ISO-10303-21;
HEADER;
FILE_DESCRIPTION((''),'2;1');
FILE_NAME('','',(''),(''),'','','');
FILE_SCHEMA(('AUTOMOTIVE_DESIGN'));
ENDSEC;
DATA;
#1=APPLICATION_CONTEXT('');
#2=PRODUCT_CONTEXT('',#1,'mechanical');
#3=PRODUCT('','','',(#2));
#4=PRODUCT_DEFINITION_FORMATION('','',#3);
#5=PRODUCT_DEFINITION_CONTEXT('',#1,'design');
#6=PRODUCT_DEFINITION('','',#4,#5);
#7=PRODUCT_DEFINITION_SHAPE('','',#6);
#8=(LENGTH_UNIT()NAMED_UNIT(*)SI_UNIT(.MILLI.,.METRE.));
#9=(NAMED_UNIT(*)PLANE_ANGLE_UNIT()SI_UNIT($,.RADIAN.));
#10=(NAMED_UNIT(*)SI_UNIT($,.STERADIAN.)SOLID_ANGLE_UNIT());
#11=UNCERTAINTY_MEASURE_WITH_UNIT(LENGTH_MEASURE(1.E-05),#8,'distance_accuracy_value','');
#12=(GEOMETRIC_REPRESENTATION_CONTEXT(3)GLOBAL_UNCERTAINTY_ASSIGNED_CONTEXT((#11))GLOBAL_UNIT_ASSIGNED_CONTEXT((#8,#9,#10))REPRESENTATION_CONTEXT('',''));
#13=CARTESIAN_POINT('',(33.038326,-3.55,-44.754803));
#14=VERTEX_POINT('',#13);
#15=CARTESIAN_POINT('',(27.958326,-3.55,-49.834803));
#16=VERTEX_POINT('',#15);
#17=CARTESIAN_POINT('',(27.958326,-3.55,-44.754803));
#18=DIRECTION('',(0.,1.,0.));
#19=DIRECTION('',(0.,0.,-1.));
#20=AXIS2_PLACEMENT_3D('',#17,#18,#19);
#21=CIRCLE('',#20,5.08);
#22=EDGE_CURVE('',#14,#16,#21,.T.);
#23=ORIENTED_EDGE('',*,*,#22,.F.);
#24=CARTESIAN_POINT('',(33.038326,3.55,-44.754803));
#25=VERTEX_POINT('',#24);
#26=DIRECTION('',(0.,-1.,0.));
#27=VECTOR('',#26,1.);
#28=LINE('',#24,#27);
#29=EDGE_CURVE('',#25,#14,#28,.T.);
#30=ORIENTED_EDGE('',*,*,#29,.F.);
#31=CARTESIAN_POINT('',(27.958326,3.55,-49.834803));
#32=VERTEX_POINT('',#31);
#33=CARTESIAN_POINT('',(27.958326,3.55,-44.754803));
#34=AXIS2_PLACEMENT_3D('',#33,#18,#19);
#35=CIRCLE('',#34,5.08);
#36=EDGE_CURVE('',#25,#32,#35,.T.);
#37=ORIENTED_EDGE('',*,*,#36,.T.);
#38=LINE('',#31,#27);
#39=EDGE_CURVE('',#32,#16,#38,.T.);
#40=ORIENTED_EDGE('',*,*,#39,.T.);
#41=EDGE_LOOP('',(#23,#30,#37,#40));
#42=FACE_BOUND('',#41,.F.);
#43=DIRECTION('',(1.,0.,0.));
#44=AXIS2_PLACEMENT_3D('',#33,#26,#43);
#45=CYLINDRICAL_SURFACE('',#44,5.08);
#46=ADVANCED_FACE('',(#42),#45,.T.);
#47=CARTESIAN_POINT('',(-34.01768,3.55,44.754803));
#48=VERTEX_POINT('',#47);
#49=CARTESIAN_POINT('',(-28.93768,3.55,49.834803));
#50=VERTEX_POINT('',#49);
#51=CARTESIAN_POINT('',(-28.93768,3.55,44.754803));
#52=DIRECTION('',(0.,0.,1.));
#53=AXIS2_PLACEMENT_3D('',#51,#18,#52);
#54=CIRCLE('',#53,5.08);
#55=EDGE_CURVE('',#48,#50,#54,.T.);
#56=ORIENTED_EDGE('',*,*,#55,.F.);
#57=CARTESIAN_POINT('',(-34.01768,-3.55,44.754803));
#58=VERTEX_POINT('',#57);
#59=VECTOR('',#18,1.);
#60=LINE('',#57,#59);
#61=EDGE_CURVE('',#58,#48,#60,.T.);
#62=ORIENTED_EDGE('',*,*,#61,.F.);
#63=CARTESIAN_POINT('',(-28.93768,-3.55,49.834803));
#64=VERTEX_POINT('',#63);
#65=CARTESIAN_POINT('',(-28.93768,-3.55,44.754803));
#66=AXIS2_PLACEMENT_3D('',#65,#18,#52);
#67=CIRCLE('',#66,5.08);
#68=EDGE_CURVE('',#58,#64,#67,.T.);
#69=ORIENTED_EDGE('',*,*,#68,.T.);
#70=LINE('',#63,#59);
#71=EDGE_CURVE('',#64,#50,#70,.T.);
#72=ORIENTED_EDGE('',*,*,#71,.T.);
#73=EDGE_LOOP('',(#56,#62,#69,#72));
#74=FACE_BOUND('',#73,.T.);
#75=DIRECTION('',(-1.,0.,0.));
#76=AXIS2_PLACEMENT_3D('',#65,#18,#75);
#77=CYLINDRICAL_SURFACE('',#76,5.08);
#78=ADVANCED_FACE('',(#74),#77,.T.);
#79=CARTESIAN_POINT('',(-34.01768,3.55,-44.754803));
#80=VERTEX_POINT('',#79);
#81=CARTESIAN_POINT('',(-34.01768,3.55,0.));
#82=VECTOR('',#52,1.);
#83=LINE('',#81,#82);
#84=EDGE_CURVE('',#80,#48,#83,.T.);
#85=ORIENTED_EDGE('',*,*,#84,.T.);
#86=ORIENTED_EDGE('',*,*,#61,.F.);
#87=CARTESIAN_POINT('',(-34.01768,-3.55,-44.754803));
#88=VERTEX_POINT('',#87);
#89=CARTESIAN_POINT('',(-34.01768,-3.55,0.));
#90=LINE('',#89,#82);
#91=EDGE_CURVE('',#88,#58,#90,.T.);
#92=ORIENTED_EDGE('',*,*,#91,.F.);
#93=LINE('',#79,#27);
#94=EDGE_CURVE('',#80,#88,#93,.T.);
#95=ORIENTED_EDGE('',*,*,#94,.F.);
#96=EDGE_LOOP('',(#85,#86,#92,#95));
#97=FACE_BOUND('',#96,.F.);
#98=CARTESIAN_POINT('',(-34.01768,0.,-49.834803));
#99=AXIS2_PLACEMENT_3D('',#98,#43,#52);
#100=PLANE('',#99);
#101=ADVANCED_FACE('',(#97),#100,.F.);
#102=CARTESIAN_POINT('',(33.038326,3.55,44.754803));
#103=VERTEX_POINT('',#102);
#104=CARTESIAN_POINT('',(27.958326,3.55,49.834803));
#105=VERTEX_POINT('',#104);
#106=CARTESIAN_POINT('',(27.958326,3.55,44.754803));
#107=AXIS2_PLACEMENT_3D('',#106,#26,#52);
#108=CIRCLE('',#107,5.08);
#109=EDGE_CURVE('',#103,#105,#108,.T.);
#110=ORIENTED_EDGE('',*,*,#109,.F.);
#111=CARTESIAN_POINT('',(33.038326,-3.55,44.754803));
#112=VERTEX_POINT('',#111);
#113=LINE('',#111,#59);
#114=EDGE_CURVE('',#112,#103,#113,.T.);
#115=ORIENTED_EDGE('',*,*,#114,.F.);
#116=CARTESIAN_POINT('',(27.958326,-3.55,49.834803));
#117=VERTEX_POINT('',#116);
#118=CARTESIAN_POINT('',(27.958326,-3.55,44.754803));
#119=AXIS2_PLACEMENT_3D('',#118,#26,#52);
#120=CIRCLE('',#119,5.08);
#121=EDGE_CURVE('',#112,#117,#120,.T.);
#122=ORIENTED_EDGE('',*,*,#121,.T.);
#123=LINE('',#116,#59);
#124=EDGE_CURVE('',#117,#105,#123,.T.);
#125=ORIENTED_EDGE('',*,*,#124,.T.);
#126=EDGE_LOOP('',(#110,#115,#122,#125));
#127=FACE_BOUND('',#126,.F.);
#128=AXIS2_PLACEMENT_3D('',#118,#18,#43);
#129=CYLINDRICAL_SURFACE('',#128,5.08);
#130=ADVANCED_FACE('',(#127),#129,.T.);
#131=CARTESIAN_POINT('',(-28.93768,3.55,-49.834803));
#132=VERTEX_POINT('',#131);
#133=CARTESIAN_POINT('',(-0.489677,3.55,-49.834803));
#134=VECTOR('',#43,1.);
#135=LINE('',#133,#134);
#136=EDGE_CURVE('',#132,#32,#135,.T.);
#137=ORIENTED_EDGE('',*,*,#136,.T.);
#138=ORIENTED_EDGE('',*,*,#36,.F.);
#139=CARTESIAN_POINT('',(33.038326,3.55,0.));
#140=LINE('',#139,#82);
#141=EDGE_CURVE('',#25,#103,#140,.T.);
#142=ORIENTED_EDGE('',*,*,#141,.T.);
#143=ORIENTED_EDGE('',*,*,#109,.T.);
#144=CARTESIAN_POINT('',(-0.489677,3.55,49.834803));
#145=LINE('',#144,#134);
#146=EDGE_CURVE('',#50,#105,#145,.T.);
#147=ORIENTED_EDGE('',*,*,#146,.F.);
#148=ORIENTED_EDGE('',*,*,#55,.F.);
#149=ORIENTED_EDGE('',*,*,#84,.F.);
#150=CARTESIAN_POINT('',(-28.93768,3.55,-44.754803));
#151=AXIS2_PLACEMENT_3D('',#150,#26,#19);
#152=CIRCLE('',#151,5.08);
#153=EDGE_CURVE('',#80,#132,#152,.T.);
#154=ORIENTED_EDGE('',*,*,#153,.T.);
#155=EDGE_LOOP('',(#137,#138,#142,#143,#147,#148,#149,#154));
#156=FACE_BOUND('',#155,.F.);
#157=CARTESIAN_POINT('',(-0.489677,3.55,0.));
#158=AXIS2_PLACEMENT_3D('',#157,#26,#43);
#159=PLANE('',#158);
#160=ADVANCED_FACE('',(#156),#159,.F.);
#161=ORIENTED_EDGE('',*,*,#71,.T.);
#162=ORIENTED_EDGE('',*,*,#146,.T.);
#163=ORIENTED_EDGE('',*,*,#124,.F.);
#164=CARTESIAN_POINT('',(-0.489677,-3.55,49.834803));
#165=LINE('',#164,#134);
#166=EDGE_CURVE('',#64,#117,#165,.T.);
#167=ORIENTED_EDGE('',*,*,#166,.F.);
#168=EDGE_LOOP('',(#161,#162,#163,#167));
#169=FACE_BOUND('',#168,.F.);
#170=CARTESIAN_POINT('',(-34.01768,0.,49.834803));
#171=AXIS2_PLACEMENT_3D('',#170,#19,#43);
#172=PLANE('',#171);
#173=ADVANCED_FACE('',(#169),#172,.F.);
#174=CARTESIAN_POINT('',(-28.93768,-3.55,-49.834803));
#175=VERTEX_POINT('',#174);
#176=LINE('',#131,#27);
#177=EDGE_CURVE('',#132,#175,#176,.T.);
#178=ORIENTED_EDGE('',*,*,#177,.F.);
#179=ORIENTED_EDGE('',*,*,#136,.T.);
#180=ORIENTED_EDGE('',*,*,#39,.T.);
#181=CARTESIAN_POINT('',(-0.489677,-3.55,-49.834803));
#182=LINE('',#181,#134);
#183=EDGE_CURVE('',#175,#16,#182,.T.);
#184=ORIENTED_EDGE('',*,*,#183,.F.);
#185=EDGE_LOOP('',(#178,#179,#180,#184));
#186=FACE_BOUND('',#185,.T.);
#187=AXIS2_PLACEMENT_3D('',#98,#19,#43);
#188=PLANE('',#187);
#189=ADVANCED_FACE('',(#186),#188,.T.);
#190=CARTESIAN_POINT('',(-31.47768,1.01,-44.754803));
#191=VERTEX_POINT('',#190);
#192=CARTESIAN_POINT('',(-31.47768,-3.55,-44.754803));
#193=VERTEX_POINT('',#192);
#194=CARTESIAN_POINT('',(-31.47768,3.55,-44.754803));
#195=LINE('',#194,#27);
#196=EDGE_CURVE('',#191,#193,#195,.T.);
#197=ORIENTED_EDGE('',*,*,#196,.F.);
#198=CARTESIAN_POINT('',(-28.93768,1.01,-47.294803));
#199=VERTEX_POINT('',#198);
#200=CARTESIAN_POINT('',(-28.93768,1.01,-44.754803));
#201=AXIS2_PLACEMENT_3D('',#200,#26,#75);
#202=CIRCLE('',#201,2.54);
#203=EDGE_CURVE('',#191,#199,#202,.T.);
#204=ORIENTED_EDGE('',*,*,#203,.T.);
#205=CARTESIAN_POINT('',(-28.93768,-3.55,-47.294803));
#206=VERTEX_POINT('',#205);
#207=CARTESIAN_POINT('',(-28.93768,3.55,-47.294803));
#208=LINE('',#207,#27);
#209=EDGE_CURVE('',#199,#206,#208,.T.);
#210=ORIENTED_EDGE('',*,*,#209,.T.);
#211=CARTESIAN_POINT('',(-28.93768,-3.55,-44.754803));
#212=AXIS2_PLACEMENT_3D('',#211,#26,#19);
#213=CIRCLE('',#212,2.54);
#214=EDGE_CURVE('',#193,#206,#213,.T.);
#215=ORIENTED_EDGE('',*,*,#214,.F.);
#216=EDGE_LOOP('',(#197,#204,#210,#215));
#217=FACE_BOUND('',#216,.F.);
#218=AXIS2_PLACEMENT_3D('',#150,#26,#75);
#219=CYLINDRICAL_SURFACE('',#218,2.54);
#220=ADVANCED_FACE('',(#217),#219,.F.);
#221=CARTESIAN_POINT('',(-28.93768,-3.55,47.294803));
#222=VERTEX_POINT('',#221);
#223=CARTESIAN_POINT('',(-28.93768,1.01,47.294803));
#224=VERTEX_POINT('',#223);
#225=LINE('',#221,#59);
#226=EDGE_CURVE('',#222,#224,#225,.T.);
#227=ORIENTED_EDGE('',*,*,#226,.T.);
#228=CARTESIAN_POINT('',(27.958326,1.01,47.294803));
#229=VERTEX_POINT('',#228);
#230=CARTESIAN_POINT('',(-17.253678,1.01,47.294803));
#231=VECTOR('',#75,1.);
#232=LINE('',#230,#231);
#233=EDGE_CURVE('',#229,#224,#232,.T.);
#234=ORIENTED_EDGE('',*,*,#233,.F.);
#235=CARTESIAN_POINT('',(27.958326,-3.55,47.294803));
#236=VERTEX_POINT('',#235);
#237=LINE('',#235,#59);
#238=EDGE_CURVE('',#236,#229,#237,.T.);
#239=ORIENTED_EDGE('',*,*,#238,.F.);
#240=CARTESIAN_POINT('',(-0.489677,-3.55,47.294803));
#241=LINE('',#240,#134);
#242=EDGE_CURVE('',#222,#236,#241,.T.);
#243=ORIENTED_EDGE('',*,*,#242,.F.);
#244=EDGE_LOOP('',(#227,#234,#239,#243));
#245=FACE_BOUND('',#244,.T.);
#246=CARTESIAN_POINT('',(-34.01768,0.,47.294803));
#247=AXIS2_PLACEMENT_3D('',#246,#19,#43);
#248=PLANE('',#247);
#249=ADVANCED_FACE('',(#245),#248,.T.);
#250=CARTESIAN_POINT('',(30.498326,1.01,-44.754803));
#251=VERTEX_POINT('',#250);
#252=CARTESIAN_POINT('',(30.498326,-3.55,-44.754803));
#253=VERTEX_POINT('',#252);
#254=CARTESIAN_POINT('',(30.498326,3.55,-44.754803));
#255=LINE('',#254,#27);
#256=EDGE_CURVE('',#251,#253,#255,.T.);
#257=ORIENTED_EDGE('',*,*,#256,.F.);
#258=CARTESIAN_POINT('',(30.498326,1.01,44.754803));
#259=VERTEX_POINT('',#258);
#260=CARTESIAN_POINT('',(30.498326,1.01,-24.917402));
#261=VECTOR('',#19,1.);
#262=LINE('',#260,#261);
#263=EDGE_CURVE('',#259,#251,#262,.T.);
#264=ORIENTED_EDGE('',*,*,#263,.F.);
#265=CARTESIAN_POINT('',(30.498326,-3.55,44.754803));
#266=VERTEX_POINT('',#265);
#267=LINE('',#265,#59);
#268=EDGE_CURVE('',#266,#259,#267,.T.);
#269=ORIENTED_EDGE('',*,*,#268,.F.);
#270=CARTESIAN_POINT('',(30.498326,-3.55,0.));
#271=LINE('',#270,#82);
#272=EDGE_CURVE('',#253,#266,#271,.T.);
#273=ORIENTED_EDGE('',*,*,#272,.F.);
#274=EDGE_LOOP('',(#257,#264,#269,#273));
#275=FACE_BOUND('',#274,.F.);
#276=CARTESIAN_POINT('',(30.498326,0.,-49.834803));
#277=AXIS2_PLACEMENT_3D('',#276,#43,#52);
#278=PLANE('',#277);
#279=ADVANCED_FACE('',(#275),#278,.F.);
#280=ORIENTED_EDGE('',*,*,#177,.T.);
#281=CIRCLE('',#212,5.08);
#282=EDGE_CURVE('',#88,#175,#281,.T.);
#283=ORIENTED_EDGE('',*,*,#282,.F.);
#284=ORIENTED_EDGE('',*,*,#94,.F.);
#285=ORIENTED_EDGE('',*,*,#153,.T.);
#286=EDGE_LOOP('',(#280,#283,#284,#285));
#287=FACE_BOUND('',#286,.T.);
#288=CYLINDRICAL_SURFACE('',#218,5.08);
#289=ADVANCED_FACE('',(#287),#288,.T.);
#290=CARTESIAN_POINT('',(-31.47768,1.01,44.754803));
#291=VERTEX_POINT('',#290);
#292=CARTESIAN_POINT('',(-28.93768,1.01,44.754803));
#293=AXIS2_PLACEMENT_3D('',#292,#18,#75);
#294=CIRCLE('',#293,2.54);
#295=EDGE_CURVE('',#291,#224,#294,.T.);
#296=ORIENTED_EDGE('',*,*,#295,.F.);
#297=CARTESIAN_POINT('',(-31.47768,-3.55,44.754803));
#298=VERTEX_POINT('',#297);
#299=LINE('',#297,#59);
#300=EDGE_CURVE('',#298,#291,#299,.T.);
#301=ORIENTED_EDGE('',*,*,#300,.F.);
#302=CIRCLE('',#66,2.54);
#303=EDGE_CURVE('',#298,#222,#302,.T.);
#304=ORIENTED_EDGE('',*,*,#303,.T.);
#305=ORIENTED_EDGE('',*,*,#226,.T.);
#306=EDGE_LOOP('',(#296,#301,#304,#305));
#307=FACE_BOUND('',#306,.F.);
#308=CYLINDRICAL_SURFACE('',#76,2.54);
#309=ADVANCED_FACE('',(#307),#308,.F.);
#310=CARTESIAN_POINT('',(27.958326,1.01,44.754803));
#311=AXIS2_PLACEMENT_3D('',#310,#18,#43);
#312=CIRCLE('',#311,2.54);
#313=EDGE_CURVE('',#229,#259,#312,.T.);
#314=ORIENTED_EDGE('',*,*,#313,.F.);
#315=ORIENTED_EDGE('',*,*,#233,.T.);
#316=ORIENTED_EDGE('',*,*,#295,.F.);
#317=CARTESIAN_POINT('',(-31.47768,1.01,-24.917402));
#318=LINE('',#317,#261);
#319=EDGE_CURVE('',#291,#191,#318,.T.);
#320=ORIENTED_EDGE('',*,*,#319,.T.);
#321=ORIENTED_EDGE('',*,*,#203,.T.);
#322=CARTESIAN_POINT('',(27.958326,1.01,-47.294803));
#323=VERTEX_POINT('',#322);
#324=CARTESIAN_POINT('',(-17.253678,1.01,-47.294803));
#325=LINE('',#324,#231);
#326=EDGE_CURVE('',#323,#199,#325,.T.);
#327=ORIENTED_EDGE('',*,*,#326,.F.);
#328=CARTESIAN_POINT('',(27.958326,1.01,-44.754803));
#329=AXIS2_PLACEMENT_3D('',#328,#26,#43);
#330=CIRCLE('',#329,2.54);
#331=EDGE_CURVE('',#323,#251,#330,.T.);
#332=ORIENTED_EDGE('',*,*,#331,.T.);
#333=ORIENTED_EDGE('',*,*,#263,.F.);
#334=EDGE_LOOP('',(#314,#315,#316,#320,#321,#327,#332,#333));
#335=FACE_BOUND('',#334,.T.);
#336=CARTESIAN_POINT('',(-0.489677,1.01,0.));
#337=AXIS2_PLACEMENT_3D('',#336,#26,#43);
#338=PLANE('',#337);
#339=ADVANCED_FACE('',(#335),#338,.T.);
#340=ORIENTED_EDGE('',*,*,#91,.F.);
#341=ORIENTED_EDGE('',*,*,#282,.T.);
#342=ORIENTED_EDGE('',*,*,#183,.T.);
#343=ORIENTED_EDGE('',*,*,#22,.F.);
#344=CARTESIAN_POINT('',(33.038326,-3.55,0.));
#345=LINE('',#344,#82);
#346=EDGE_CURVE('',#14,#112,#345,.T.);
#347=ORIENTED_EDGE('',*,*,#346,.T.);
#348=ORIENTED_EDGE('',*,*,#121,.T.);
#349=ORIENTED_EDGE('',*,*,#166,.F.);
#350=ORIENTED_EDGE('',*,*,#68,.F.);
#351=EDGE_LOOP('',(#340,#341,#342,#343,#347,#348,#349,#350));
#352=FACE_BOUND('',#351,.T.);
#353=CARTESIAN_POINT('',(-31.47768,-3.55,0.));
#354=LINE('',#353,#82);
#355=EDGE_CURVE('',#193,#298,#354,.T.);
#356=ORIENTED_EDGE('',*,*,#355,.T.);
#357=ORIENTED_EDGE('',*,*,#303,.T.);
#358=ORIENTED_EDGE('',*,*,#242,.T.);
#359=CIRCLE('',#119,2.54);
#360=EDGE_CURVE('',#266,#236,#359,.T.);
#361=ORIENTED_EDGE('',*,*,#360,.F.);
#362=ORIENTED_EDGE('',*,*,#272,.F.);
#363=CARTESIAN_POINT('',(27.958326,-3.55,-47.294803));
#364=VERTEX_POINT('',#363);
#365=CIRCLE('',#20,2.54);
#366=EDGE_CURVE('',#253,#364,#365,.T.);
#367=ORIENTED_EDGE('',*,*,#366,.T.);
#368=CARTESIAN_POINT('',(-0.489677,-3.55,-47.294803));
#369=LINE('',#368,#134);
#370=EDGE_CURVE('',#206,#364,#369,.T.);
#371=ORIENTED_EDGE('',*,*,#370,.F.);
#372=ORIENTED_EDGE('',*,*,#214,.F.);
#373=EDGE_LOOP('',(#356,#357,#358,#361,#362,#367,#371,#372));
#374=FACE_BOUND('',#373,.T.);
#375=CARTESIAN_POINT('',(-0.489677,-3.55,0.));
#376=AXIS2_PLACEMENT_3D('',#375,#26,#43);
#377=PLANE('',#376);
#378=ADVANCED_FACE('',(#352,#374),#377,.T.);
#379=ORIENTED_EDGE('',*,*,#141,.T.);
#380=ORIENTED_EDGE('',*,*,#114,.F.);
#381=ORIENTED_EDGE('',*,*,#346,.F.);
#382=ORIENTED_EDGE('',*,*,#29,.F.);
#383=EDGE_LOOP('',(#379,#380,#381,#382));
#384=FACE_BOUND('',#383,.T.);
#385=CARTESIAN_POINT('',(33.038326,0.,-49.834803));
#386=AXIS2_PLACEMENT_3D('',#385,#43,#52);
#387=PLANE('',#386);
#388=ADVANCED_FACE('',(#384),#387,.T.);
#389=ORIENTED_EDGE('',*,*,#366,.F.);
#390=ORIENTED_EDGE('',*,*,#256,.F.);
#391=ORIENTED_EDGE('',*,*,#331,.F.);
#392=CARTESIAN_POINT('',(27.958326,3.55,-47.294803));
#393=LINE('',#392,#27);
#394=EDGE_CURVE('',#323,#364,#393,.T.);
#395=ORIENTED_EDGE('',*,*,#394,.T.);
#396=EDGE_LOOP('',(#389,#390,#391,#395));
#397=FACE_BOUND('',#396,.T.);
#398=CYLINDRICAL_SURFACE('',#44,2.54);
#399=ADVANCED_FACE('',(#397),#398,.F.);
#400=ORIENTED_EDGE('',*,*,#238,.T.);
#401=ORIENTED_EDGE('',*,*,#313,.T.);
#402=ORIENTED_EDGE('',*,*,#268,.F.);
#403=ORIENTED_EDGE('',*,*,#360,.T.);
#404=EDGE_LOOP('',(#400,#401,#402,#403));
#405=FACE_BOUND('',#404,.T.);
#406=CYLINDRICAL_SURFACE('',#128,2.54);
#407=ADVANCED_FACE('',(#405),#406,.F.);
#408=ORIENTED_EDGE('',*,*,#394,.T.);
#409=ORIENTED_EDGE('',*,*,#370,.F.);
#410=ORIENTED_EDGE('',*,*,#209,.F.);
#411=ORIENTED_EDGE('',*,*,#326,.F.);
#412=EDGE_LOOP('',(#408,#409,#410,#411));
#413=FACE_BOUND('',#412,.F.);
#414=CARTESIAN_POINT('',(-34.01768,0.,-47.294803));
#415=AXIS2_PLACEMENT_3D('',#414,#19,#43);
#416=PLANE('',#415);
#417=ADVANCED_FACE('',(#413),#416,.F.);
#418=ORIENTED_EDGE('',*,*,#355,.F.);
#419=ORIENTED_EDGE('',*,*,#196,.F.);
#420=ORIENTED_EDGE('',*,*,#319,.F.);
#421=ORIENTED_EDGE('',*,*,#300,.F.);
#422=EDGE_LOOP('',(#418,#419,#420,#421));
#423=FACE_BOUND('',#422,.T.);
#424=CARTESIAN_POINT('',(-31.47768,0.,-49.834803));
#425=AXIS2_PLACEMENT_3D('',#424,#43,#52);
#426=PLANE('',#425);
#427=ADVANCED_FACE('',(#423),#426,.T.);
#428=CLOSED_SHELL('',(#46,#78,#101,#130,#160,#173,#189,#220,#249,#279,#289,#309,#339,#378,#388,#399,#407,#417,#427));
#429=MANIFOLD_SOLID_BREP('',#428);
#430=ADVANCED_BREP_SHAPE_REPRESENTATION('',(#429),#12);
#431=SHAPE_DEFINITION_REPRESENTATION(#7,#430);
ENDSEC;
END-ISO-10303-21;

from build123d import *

# Parameters (mm, degrees)
F0_W     = 67.056006
F0_H     = 99.669606
F1_DEPTH = 3.55
F2_R     = 5.08
F3_T     = -2.54


with BuildPart() as f1:
    # F0 (on Front) → F1 (new body, symmetric)
    with BuildSketch(Plane.XZ):
        with Locations((-0.489677, 0)):
            Rectangle(F0_W, F0_H)
    extrude(amount=F1_DEPTH, both=True)

    # F2
    f2_edges = [f1.edges().sort_by_distance(p)[0] for p in [
        (-34.01768, 0, -49.834803),
        (-34.01768, 0, 49.834803),
        (33.038326, 0, -49.834803),
        (33.038326, 0, 49.834803),
    ]]
    fillet(f2_edges, radius=F2_R)

    # F3
    f3_openings = [f1.faces().sort_by_distance(p)[0] for p in [
        (-0.489677, -3.55, 0),
    ]]
    offset(amount=F3_T, openings=f3_openings)


solid = f1.part
